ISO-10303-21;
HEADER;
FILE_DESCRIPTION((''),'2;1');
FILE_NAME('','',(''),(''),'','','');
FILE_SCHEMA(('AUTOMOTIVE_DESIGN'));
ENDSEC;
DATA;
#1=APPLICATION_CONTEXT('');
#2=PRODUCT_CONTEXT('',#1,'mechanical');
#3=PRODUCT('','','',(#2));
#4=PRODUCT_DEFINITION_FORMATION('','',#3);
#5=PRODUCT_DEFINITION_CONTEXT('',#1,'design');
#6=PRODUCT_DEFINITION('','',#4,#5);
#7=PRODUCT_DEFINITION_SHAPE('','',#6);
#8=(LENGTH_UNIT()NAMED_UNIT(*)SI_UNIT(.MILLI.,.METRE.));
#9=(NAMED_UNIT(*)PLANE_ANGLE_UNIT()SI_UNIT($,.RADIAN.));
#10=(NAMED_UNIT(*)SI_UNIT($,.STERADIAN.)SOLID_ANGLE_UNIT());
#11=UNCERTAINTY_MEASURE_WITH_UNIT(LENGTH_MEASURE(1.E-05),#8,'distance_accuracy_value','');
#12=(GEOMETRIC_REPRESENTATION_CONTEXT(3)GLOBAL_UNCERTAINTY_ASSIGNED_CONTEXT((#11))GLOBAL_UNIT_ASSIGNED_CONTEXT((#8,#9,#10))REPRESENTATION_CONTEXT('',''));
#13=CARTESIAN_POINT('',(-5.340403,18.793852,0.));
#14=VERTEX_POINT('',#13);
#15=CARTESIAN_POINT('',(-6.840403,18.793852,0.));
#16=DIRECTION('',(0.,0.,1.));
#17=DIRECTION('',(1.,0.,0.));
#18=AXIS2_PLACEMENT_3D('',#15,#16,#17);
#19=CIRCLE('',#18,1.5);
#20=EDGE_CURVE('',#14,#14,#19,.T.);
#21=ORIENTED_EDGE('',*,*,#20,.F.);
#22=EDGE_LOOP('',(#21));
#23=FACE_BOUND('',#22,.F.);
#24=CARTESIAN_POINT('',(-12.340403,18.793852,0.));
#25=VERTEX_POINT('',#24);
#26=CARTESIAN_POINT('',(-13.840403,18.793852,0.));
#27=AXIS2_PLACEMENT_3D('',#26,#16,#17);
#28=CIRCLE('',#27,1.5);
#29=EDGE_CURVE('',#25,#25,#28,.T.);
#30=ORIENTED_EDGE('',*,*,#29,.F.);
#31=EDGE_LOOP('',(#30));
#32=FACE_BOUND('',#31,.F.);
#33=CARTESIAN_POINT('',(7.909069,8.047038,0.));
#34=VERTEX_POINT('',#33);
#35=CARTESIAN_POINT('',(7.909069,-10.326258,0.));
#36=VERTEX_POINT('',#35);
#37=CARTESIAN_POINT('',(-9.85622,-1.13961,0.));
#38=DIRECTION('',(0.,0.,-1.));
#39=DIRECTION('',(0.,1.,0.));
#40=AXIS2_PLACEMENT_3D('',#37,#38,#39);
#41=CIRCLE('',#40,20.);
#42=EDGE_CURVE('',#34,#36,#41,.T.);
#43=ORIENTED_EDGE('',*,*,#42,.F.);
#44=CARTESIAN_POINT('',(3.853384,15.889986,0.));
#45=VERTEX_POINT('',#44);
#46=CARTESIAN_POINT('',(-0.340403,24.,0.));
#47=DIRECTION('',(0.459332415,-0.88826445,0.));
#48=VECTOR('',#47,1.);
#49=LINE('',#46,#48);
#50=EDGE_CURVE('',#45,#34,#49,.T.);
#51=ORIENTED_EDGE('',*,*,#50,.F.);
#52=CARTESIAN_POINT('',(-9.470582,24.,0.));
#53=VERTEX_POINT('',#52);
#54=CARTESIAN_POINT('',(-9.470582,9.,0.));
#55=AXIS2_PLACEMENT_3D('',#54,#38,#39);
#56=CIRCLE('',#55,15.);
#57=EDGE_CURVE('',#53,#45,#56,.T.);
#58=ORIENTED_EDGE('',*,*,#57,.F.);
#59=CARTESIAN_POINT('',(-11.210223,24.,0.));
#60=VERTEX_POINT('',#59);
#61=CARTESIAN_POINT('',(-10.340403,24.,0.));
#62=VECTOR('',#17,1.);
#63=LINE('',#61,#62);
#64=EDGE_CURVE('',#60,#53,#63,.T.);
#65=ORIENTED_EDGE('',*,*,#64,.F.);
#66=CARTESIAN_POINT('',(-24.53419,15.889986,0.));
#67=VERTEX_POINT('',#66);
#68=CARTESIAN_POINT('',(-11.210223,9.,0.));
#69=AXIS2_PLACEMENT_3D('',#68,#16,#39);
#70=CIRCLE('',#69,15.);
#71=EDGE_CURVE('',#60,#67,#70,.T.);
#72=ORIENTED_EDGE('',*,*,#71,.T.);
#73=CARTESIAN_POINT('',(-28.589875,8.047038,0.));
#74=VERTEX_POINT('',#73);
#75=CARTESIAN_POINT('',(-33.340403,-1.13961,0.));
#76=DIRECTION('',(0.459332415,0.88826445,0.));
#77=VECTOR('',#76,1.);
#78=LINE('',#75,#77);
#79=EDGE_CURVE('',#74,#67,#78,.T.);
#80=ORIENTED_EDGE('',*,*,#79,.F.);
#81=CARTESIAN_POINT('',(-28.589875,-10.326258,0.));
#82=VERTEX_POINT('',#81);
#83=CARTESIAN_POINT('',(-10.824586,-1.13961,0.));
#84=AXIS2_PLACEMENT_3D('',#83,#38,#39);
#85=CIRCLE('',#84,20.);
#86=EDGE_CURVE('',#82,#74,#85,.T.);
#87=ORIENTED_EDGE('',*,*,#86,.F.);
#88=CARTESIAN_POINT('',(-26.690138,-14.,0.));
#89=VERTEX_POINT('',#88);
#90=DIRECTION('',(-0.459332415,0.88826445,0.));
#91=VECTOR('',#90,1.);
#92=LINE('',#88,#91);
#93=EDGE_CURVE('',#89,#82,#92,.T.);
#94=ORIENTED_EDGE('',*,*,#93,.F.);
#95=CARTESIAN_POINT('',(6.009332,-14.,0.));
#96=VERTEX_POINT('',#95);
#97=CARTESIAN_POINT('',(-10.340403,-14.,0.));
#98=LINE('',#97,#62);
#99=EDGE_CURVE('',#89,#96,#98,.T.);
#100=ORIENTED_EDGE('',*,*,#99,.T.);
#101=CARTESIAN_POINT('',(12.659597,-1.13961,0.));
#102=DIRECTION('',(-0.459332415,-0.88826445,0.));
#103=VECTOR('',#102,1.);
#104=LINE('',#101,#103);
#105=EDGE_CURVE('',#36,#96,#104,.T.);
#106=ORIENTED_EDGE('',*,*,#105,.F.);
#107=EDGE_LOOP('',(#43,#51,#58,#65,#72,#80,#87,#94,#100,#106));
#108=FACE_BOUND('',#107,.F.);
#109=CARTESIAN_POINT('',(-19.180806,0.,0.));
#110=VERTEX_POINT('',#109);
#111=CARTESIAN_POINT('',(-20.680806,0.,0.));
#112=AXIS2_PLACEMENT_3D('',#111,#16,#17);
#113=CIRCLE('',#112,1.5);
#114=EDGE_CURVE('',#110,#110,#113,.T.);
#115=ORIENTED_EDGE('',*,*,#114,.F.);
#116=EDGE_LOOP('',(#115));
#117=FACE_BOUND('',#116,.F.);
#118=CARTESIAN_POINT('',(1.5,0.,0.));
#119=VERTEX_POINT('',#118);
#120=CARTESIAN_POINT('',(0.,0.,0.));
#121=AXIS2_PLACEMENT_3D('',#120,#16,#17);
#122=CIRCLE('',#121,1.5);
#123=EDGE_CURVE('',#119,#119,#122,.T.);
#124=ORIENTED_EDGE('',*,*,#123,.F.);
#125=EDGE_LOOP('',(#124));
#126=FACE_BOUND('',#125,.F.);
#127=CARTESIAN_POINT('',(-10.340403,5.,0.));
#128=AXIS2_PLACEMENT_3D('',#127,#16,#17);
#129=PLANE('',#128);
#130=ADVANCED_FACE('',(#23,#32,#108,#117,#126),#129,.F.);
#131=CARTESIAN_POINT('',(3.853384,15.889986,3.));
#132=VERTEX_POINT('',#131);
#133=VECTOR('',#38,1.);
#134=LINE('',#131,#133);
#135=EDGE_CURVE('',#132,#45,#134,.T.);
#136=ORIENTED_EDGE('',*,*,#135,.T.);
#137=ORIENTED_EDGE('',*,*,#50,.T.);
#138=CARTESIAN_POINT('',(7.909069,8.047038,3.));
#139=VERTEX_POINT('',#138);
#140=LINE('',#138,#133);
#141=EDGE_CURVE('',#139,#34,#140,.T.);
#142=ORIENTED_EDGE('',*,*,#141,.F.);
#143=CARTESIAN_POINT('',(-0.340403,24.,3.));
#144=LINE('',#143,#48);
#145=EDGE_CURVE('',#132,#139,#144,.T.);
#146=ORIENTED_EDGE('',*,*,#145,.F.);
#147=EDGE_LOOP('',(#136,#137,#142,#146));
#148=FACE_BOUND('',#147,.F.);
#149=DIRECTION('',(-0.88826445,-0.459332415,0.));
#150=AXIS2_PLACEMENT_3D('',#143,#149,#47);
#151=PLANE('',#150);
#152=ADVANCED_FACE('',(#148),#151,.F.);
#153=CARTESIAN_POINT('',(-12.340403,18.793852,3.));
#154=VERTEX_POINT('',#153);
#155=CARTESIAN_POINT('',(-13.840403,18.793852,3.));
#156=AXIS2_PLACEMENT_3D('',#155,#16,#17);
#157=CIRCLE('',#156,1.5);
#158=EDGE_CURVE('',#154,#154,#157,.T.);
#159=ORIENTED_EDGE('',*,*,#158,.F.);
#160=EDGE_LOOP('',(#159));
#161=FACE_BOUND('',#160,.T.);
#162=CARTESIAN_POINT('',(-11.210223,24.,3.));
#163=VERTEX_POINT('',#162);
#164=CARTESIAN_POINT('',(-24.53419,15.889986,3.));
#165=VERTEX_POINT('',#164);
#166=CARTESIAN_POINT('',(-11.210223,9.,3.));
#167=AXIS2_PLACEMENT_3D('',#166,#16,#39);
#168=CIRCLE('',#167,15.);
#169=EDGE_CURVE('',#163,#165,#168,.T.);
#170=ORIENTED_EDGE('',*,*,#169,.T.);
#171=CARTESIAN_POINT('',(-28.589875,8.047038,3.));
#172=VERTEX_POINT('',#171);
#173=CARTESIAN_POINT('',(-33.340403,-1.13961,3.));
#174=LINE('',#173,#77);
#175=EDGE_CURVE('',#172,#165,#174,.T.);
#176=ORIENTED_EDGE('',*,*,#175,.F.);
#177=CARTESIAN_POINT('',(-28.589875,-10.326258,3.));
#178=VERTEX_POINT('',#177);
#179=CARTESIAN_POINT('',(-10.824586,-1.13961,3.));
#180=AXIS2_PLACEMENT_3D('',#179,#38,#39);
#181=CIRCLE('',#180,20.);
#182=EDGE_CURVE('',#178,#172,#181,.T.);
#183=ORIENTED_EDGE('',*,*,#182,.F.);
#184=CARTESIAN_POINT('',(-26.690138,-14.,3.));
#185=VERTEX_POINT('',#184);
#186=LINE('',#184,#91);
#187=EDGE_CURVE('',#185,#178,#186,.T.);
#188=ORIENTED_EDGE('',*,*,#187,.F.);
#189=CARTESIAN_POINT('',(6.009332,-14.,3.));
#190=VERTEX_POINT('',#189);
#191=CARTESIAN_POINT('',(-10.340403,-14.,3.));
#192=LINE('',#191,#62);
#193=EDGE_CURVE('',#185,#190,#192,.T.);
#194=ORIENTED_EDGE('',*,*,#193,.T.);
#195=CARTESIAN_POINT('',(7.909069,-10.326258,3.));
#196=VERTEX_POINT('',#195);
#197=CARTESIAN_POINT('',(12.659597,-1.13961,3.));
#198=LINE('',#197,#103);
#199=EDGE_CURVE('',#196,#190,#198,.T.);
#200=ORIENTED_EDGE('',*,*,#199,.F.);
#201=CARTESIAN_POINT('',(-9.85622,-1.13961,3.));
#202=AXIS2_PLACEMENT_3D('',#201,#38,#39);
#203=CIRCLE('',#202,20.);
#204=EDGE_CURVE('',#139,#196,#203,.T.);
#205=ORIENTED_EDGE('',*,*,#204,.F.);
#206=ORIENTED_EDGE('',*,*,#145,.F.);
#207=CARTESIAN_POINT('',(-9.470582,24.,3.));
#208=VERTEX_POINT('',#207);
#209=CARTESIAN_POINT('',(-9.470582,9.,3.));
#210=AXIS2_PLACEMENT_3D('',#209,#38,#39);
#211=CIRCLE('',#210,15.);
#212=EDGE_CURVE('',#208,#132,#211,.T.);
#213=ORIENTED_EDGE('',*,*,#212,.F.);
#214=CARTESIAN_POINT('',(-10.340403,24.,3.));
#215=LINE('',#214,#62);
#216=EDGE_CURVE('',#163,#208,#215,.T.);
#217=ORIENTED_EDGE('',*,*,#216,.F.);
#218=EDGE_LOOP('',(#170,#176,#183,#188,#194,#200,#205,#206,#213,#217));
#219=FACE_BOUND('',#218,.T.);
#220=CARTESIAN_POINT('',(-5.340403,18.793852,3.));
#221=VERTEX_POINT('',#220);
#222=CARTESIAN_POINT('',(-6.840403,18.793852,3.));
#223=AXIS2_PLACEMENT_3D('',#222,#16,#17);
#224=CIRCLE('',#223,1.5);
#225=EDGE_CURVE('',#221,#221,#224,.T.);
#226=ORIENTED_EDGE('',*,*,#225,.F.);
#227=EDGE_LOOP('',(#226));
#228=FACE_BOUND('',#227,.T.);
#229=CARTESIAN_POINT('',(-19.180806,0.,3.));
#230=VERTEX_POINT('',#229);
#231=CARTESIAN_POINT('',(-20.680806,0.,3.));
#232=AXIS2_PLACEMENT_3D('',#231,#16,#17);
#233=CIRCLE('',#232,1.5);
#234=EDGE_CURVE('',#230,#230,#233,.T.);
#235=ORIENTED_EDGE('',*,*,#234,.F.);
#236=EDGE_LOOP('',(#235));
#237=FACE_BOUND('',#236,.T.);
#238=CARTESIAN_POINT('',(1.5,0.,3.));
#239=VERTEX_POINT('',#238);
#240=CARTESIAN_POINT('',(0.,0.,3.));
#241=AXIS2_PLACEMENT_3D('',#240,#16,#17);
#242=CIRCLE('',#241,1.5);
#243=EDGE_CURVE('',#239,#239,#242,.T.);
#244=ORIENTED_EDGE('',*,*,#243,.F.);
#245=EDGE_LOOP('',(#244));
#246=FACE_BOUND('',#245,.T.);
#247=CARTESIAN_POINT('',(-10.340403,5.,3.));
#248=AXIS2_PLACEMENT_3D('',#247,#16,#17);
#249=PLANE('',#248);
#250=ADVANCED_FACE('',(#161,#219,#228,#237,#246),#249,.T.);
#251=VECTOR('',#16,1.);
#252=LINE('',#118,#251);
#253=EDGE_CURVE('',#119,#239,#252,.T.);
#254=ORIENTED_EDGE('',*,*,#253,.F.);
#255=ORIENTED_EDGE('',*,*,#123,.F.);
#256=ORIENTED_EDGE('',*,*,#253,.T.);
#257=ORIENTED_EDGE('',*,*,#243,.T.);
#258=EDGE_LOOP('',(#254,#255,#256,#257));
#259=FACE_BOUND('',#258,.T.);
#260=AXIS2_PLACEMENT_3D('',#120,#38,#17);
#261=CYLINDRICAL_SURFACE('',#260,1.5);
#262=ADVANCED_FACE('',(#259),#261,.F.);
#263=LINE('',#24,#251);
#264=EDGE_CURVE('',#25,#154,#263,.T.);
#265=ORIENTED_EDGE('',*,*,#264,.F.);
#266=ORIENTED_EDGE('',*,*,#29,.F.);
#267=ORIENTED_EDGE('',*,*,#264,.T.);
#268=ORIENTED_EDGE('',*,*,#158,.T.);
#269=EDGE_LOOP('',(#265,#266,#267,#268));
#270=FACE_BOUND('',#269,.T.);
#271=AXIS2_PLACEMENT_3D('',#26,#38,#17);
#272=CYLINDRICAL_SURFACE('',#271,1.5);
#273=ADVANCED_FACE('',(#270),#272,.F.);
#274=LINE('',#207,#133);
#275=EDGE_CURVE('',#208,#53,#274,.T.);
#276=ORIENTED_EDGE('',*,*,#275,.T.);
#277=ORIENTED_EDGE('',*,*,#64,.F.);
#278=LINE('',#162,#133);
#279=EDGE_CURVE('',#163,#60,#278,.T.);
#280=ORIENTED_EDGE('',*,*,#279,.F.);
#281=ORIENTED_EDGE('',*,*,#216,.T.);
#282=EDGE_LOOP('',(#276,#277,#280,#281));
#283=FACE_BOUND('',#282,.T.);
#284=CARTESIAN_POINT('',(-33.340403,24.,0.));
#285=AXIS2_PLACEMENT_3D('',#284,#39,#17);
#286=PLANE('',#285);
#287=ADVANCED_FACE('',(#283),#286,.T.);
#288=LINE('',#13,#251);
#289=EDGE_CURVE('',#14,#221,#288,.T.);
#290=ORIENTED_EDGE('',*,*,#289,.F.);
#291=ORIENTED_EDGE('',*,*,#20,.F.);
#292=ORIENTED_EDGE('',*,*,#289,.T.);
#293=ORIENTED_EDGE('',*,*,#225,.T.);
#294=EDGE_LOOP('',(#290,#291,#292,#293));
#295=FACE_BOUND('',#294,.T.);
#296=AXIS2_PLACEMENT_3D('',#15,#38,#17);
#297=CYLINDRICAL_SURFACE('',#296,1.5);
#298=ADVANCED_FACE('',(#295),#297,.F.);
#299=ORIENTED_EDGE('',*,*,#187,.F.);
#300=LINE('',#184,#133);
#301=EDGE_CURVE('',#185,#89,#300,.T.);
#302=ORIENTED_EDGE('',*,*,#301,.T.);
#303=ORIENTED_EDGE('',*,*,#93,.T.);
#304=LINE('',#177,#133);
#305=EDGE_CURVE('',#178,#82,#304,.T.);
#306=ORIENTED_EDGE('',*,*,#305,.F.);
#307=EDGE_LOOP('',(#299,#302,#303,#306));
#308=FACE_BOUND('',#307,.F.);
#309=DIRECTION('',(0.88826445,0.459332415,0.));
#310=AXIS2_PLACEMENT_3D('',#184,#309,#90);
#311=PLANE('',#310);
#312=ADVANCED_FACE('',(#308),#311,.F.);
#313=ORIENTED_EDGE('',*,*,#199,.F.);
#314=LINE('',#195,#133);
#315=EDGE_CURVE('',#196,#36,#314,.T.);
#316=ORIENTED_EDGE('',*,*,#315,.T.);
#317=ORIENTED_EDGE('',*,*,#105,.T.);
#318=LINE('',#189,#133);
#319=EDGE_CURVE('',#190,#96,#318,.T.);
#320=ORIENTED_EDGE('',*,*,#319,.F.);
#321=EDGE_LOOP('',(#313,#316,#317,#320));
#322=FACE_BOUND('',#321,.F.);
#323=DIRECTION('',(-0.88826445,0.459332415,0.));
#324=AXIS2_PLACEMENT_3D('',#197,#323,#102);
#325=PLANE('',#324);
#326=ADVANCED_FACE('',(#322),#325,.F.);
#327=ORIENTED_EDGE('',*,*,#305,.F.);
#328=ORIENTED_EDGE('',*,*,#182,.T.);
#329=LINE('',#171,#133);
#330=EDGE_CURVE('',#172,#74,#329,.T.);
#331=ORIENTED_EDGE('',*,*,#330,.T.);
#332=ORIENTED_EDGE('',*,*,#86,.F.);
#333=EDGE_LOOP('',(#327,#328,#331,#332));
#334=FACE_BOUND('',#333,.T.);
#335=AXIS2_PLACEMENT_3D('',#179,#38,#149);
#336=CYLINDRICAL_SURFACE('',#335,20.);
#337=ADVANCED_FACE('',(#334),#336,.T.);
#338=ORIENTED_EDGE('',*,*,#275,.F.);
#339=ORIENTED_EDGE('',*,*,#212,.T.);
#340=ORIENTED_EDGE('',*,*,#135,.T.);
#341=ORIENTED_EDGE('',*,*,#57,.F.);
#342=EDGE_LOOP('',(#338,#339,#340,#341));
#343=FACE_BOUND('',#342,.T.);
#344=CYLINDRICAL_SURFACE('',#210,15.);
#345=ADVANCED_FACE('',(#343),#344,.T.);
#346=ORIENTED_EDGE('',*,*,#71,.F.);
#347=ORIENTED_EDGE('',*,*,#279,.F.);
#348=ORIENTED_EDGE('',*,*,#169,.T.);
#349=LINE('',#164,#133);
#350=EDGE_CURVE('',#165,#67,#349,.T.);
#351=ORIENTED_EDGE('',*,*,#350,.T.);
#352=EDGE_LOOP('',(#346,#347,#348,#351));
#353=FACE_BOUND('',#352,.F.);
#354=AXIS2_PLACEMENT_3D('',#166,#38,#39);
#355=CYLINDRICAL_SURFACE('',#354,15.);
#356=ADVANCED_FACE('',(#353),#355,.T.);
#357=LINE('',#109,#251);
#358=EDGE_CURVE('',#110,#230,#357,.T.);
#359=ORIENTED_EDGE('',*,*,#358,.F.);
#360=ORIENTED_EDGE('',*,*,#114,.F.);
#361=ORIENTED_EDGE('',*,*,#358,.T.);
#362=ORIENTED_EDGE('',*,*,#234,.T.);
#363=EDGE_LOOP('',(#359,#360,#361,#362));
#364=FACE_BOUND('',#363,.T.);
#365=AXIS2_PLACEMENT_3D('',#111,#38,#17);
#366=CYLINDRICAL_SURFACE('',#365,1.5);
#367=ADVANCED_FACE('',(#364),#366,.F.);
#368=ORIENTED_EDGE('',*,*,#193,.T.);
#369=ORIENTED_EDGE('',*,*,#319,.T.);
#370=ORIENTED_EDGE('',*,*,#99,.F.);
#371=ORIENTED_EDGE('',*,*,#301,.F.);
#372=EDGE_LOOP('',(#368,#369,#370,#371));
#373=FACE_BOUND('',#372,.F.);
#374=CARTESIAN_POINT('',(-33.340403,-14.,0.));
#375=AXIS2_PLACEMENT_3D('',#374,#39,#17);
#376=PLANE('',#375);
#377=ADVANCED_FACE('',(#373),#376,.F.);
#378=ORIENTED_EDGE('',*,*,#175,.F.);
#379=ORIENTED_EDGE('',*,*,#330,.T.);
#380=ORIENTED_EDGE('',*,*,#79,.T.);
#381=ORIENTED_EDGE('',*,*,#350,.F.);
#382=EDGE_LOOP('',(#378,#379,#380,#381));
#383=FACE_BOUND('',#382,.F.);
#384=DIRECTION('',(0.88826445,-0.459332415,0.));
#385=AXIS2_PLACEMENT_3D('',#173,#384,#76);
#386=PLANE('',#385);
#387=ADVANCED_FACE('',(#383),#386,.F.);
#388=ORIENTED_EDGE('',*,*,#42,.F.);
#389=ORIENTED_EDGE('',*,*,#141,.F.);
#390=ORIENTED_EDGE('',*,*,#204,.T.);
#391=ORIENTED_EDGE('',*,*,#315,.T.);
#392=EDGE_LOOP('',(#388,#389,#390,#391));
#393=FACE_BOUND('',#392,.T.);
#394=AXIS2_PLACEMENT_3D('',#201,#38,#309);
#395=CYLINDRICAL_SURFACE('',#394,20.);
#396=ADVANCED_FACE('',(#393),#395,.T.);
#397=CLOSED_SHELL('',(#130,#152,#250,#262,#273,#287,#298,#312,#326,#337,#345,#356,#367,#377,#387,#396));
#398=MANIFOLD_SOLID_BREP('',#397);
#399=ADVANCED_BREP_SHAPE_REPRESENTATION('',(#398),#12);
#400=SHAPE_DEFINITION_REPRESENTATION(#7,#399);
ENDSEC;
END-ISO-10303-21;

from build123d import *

# Parameters (mm, degrees)
SCHIZZO1_W                   = 46
SCHIZZO1_H                   = 38
SCHIZZO1_R                   = 1.5
ESTRUSIONE_ESTRUSIONE3_DEPTH = 3
TAGLIO_ESTRUSIONE1_DEPTH     = 3
RACCORDO1_R                  = 15
RACCORDO2_R                  = 15
RACCORDO3_R                  = 20
RACCORDO4_R                  = 20


with BuildPart() as part:
    # Schizzo1 → Estrusione-Estrusione3 (new body)
    with BuildSketch(Plane.XY):
        with Locations((-10.340402867, 5)):
            Rectangle(SCHIZZO1_W, SCHIZZO1_H)
        with Locations((-6.840402867, 18.793852416)):
            Circle(SCHIZZO1_R, mode=Mode.SUBTRACT)
        Circle(SCHIZZO1_R, mode=Mode.SUBTRACT)
        with Locations((-20.680805733, 0)):
            Circle(SCHIZZO1_R, mode=Mode.SUBTRACT)
        with Locations((-13.840402867, 18.793852416)):
            Circle(SCHIZZO1_R, mode=Mode.SUBTRACT)
    extrude(amount=ESTRUSIONE_ESTRUSIONE3_DEPTH)

    # Schizzo4 → Taglio-Estrusione1 (cut)
    with BuildSketch(Plane.XY.offset(3)):
        Polygon((-33.340402867, -1.13961018), (-20.340402867, 24), (-33.340402867, 24), align=None)
        Polygon((12.659597133, 24), (-0.340402867, 24), (12.659597133, -1.13961018), align=None)
        Polygon((-26.690137947, -14), (-33.340402867, -1.13961018), (-33.340402867, -14), align=None)
        Polygon((12.659597133, -14), (12.659597133, -1.13961018), (6.009332214, -14), align=None)
    extrude(amount=-TAGLIO_ESTRUSIONE1_DEPTH, mode=Mode.SUBTRACT)

    # Raccordo1
    raccordo1_edges = [part.edges().sort_by_distance(p)[0] for p in [
        (-0.340402867, 24, 1.5),
    ]]
    fillet(raccordo1_edges, radius=RACCORDO1_R)

    # Raccordo2
    raccordo2_edges = [part.edges().sort_by_distance(p)[0] for p in [
        (-20.340402867, 24, 1.5),
    ]]
    fillet(raccordo2_edges, radius=RACCORDO2_R)

    # Raccordo3
    raccordo3_edges = [part.edges().sort_by_distance(p)[0] for p in [
        (12.659597133, -1.13961018, 1.5),
    ]]
    fillet(raccordo3_edges, radius=RACCORDO3_R)

    # Raccordo4
    raccordo4_edges = [part.edges().sort_by_distance(p)[0] for p in [
        (-33.340402867, -1.13961018, 1.5),
    ]]
    fillet(raccordo4_edges, radius=RACCORDO4_R)


solid = part.part
